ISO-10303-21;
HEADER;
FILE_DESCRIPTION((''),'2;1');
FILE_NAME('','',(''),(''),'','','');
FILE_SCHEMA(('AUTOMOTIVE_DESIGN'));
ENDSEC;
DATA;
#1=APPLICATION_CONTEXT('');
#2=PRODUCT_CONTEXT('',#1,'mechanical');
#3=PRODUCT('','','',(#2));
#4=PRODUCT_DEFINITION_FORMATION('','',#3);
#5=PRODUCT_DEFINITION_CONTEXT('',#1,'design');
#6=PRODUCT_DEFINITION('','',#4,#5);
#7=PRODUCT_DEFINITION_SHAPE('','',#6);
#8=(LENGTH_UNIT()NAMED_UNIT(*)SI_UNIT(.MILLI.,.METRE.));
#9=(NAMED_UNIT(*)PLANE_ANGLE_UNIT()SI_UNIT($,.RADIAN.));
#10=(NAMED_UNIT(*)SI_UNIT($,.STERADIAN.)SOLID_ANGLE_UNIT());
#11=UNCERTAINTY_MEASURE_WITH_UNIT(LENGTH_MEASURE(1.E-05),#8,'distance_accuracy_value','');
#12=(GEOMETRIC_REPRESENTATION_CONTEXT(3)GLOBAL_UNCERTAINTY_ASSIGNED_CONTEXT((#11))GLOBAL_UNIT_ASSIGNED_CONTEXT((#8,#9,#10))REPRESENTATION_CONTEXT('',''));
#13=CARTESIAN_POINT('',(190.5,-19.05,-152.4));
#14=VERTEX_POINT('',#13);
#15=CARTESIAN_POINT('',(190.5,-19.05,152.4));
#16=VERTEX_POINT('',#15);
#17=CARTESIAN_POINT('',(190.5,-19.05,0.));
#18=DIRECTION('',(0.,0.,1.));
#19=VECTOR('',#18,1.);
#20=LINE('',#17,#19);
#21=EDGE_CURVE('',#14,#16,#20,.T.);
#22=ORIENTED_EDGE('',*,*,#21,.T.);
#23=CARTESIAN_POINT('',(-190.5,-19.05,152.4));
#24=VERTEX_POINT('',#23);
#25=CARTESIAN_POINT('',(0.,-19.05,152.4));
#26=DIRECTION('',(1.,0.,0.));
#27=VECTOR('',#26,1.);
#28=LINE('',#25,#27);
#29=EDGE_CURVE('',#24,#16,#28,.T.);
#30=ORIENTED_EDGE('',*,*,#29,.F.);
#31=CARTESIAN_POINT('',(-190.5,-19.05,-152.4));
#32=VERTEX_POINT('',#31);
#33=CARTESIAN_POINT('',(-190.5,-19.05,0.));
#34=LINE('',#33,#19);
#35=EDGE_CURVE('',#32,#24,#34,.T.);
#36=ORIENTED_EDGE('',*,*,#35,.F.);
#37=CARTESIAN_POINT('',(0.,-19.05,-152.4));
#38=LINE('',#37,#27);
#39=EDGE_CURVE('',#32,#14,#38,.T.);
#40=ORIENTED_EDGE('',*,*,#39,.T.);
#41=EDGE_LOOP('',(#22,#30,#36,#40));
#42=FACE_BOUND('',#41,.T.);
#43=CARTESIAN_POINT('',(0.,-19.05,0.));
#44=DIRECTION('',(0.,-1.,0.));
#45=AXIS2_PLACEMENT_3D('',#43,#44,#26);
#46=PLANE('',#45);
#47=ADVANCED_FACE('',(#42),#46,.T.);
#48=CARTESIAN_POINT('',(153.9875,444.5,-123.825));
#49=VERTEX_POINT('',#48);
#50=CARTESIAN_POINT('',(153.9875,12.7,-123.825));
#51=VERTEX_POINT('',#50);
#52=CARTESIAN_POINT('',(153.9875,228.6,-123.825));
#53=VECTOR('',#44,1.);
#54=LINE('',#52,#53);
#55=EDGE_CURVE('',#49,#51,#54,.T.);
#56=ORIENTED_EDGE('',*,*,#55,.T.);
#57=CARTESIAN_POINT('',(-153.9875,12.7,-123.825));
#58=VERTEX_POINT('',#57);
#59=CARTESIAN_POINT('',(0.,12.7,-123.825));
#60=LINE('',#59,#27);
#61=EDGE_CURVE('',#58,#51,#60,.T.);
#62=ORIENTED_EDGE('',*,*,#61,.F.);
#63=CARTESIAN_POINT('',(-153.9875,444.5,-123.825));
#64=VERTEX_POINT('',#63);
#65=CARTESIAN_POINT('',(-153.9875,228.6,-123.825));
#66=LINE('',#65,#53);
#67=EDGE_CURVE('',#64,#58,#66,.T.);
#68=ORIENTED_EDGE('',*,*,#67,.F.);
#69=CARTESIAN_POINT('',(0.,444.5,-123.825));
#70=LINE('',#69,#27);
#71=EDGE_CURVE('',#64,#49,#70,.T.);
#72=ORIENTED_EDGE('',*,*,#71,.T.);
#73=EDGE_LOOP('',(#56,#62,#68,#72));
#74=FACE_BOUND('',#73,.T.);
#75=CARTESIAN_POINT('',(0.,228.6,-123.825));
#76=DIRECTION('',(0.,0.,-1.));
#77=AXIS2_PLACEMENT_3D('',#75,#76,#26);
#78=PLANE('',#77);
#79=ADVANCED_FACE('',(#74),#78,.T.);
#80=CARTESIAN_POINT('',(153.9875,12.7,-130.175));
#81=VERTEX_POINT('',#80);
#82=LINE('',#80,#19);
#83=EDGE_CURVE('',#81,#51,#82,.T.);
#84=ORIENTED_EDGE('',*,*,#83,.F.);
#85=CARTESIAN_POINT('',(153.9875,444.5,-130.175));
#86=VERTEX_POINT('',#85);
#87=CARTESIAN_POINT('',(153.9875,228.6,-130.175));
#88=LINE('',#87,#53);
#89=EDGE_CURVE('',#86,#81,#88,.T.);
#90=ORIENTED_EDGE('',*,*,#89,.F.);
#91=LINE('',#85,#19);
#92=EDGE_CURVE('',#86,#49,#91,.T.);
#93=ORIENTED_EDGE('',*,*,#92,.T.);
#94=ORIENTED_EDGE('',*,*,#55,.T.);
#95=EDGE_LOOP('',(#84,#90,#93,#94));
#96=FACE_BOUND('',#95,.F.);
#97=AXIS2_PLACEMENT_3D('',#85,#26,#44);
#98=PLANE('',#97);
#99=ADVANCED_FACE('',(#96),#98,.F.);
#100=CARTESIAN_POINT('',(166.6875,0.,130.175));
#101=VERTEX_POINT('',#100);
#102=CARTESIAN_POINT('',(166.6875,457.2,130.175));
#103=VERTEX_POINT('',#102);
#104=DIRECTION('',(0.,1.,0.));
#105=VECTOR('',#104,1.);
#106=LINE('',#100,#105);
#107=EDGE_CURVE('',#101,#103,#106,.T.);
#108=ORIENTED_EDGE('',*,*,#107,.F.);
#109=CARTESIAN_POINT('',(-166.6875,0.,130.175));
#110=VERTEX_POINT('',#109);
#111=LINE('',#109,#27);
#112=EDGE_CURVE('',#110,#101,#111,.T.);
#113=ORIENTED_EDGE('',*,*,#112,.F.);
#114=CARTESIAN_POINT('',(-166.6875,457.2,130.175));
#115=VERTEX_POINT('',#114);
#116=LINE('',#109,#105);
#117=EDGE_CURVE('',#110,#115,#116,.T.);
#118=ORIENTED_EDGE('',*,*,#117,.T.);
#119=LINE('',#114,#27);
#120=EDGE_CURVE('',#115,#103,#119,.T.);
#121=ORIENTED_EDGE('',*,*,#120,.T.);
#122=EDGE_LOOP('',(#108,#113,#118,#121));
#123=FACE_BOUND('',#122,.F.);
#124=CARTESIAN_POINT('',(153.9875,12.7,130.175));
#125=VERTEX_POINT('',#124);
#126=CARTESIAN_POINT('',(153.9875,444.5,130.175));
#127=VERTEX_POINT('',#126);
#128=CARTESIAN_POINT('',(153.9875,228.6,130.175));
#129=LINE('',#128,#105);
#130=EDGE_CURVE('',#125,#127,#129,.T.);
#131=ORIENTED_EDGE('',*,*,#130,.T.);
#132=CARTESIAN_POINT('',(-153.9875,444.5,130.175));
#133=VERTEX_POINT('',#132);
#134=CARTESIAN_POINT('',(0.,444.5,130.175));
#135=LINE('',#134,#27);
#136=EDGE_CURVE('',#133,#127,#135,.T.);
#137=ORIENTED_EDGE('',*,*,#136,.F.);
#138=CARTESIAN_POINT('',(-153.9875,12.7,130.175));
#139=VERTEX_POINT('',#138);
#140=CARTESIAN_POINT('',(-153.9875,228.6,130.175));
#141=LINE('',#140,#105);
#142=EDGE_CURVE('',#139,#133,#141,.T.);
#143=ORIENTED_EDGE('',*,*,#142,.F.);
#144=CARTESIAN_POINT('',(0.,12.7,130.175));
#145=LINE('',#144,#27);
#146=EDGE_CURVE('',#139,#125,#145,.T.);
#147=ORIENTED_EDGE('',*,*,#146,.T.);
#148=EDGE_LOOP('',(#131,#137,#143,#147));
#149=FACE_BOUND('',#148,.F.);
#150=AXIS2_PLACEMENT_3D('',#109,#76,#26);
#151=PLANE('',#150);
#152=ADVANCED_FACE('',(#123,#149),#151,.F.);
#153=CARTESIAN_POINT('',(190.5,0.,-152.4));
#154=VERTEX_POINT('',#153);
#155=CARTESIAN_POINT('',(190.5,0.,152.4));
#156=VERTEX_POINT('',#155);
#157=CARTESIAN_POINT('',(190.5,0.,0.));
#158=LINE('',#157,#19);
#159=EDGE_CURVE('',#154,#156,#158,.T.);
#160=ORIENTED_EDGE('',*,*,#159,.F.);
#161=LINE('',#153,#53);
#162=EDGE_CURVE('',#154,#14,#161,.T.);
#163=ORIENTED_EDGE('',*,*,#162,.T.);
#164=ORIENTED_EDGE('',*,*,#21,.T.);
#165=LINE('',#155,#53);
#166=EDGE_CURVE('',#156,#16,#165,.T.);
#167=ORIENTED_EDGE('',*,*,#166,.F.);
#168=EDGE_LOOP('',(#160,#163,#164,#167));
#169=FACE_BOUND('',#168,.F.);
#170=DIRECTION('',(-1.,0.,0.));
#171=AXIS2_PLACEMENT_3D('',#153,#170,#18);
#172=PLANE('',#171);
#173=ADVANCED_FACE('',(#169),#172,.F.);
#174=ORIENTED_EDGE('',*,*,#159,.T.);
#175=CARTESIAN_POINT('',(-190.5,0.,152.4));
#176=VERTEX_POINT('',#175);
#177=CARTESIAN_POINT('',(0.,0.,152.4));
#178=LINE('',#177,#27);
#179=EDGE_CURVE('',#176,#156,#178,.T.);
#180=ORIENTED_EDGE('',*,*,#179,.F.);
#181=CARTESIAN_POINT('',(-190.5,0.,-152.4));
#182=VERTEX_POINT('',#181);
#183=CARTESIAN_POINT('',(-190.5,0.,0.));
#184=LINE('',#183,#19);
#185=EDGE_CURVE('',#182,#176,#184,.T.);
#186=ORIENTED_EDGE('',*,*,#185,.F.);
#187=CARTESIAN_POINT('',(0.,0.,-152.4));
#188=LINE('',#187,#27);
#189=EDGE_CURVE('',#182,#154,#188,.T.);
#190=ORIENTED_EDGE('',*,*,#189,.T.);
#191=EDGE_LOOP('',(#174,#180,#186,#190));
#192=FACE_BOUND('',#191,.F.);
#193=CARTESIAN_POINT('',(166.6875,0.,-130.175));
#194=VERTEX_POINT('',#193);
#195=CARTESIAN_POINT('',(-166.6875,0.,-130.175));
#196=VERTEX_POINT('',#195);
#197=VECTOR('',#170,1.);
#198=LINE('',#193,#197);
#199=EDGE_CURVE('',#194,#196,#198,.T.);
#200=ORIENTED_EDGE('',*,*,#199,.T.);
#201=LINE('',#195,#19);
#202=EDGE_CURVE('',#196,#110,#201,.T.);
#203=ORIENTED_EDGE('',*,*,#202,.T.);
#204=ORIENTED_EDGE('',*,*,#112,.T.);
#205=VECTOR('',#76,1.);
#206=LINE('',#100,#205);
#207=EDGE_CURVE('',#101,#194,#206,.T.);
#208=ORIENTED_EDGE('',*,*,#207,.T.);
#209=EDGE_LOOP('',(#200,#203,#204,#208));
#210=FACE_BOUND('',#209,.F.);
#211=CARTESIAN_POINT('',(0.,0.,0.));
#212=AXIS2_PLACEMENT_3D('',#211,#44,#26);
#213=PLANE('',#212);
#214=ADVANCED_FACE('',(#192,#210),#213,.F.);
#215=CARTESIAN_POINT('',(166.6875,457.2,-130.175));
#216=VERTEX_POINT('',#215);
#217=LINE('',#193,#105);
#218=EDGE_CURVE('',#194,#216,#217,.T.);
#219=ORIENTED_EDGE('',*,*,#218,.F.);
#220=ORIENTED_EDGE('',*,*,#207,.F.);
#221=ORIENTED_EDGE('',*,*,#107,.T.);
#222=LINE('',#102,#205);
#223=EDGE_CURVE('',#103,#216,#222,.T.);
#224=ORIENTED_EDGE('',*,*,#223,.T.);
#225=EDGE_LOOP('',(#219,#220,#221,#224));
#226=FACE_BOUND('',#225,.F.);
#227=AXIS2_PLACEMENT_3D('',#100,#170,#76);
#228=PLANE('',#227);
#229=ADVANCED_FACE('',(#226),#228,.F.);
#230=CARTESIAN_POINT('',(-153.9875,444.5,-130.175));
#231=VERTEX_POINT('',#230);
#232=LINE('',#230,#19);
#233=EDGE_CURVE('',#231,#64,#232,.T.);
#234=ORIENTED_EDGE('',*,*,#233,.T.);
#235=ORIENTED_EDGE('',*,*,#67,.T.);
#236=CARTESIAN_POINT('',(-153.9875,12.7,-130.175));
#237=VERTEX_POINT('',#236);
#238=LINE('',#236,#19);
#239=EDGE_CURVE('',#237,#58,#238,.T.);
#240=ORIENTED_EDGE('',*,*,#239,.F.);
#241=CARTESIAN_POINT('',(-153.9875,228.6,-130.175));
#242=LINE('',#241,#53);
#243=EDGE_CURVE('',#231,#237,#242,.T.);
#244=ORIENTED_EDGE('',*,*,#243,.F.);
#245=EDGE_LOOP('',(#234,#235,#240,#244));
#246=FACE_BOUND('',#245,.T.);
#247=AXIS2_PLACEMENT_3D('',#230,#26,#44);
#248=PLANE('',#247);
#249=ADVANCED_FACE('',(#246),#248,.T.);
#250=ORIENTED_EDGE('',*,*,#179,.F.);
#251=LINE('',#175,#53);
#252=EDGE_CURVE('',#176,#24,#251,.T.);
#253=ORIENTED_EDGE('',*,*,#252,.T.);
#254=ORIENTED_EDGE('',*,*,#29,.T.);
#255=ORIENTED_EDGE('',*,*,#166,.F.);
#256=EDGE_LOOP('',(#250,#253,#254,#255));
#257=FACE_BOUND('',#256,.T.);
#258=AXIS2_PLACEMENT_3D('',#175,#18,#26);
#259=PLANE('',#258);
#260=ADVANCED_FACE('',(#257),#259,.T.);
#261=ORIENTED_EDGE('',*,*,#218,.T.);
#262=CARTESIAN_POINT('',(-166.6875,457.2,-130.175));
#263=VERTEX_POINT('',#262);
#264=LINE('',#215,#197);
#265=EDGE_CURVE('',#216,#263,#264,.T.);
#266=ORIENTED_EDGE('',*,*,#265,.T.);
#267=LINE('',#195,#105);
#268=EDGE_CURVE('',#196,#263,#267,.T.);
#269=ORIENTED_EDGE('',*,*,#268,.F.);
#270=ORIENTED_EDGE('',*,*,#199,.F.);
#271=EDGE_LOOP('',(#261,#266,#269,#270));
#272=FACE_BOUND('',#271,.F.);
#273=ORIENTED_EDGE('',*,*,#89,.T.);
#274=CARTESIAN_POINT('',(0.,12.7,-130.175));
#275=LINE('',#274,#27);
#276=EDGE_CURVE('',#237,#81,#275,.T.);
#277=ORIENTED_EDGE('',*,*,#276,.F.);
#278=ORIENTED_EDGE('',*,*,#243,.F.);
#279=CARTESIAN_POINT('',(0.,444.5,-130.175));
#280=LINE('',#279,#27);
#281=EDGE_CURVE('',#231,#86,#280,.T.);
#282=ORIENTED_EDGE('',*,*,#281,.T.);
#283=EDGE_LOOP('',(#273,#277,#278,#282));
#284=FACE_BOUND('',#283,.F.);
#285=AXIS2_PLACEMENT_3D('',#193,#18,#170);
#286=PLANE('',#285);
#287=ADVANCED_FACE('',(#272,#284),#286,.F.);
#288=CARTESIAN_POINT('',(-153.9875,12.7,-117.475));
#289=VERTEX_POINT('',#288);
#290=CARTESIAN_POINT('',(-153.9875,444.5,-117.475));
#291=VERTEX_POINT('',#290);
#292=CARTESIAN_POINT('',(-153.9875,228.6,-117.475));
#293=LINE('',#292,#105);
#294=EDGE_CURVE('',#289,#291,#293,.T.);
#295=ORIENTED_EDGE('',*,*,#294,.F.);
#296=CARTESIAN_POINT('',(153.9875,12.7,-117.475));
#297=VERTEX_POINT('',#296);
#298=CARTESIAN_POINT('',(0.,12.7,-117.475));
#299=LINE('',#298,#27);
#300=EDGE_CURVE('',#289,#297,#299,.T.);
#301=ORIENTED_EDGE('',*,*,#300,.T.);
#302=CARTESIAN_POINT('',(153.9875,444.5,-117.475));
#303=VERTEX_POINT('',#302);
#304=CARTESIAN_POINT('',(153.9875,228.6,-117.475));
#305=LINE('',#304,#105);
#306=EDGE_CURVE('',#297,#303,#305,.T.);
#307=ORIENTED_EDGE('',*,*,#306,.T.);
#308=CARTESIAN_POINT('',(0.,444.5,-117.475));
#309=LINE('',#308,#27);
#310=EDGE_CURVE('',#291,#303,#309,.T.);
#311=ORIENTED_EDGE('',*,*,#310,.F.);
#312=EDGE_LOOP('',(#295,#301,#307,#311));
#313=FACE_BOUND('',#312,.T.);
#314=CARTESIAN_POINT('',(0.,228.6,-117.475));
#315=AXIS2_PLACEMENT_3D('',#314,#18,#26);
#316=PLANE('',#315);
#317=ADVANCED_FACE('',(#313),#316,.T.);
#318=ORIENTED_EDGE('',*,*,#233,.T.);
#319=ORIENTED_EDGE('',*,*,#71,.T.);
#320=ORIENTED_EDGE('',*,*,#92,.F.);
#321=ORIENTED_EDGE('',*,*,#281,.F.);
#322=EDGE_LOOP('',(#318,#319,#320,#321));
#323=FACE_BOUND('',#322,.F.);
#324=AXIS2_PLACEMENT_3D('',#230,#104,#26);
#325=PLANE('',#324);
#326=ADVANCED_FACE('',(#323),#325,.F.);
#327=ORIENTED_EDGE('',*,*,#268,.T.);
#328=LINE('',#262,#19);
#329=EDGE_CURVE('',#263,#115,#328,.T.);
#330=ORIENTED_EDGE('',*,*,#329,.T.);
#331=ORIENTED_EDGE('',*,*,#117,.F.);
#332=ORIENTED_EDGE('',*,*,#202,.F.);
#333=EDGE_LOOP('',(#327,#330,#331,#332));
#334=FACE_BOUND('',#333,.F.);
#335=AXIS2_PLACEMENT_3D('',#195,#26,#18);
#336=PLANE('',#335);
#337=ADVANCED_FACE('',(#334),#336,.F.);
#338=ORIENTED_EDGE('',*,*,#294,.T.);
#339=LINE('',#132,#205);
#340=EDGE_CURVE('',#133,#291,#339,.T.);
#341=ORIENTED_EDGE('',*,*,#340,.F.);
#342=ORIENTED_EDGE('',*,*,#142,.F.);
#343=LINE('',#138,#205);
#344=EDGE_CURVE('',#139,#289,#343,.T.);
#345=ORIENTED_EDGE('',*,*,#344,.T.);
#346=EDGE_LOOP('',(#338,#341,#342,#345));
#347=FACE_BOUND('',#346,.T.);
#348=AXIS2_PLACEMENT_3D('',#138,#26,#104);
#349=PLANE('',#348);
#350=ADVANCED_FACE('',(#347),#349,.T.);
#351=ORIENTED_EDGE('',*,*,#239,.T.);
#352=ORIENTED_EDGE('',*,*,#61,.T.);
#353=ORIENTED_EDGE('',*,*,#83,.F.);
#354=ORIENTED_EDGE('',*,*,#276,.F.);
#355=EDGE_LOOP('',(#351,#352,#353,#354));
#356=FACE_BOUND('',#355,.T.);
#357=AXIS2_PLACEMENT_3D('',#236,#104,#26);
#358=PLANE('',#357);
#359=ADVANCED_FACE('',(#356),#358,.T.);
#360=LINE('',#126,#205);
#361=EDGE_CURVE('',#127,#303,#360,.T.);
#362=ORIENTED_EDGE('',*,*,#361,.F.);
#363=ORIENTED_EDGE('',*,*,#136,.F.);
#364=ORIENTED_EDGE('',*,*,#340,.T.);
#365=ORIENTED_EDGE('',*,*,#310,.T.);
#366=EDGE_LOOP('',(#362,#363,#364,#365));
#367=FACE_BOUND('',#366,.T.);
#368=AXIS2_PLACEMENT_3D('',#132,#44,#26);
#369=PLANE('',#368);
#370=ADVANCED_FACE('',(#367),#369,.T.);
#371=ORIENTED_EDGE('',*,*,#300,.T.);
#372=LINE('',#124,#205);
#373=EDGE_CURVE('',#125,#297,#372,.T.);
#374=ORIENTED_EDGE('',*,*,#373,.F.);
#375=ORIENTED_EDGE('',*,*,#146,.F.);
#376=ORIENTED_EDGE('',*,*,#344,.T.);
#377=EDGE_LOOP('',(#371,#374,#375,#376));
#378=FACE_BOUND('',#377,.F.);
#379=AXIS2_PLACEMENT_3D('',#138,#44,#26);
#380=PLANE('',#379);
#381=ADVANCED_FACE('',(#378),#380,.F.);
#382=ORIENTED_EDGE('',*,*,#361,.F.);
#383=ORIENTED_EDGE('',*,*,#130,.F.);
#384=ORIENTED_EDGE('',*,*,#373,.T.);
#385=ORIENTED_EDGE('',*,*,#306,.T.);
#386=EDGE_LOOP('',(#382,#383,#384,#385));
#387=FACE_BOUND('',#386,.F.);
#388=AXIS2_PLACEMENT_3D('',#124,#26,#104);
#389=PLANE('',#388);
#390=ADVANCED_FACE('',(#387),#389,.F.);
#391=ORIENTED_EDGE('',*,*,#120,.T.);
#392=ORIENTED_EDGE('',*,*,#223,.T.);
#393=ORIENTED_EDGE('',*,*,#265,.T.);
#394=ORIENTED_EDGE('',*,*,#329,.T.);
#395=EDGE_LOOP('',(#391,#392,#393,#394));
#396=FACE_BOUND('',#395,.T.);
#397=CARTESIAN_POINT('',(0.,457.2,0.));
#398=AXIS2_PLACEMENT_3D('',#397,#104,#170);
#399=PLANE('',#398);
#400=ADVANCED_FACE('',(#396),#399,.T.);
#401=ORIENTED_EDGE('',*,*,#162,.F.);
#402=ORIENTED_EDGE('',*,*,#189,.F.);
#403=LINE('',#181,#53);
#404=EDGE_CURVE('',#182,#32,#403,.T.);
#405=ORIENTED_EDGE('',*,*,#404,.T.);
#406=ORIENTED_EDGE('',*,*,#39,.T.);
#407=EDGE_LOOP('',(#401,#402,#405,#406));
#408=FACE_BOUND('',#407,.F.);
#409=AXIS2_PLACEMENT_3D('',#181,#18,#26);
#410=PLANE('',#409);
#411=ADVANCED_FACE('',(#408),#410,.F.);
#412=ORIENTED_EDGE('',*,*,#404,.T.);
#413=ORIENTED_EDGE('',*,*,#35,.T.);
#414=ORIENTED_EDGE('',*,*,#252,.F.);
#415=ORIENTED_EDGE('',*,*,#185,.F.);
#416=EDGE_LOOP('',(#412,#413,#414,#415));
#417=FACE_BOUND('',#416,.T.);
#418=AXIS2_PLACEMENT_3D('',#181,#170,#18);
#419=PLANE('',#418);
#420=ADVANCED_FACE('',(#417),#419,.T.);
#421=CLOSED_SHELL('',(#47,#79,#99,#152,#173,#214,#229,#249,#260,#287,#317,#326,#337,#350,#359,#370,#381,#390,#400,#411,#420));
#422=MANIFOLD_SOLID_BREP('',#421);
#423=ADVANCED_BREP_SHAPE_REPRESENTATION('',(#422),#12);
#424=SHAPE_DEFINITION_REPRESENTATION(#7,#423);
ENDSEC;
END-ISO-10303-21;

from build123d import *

# Parameters (mm, degrees)
F0_W     = 381
F0_H     = 304.8
F1_DEPTH = 19.05
F3_DEPTH = 457.2
F4_W     = 307.975
F4_H     = 431.8
F5_DEPTH = 6.35
F6_W     = 307.975
F6_H     = 431.8
F7_DEPTH = 247.65


with BuildPart() as f1:
    # F0 (on Front) → F1 (new body)
    with BuildSketch(Plane.XZ):
        Rectangle(F0_W, F0_H)
    extrude(amount=F1_DEPTH)

    # F2 (on face) → F3 (join)
    with BuildSketch(Plane(origin=(0, 0, 0), x_dir=(-1, 0, 0), z_dir=(0, 1, 0))):
        Polygon((-166.6875, -130.175), (0, -130.175), (166.6875, -130.175), (166.6875, 130.175), (-166.6875, 130.175), align=None)
    extrude(amount=F3_DEPTH)

    # F4 (on face) → F5 (cut)
    with BuildSketch(Plane(origin=(0, 0, -130.175), x_dir=(1, 0, 0), z_dir=(0, 0, -1))):
        with Locations((0, -228.6)):
            Rectangle(F4_W, F4_H)
    extrude(amount=-F5_DEPTH, mode=Mode.SUBTRACT)

    # F6 (on face) → F7 (cut)
    with BuildSketch(Plane.XY.offset(130.175)):
        with Locations((0, 228.6)):
            Rectangle(F6_W, F6_H)
    extrude(amount=-F7_DEPTH, mode=Mode.SUBTRACT)


solid = f1.part
